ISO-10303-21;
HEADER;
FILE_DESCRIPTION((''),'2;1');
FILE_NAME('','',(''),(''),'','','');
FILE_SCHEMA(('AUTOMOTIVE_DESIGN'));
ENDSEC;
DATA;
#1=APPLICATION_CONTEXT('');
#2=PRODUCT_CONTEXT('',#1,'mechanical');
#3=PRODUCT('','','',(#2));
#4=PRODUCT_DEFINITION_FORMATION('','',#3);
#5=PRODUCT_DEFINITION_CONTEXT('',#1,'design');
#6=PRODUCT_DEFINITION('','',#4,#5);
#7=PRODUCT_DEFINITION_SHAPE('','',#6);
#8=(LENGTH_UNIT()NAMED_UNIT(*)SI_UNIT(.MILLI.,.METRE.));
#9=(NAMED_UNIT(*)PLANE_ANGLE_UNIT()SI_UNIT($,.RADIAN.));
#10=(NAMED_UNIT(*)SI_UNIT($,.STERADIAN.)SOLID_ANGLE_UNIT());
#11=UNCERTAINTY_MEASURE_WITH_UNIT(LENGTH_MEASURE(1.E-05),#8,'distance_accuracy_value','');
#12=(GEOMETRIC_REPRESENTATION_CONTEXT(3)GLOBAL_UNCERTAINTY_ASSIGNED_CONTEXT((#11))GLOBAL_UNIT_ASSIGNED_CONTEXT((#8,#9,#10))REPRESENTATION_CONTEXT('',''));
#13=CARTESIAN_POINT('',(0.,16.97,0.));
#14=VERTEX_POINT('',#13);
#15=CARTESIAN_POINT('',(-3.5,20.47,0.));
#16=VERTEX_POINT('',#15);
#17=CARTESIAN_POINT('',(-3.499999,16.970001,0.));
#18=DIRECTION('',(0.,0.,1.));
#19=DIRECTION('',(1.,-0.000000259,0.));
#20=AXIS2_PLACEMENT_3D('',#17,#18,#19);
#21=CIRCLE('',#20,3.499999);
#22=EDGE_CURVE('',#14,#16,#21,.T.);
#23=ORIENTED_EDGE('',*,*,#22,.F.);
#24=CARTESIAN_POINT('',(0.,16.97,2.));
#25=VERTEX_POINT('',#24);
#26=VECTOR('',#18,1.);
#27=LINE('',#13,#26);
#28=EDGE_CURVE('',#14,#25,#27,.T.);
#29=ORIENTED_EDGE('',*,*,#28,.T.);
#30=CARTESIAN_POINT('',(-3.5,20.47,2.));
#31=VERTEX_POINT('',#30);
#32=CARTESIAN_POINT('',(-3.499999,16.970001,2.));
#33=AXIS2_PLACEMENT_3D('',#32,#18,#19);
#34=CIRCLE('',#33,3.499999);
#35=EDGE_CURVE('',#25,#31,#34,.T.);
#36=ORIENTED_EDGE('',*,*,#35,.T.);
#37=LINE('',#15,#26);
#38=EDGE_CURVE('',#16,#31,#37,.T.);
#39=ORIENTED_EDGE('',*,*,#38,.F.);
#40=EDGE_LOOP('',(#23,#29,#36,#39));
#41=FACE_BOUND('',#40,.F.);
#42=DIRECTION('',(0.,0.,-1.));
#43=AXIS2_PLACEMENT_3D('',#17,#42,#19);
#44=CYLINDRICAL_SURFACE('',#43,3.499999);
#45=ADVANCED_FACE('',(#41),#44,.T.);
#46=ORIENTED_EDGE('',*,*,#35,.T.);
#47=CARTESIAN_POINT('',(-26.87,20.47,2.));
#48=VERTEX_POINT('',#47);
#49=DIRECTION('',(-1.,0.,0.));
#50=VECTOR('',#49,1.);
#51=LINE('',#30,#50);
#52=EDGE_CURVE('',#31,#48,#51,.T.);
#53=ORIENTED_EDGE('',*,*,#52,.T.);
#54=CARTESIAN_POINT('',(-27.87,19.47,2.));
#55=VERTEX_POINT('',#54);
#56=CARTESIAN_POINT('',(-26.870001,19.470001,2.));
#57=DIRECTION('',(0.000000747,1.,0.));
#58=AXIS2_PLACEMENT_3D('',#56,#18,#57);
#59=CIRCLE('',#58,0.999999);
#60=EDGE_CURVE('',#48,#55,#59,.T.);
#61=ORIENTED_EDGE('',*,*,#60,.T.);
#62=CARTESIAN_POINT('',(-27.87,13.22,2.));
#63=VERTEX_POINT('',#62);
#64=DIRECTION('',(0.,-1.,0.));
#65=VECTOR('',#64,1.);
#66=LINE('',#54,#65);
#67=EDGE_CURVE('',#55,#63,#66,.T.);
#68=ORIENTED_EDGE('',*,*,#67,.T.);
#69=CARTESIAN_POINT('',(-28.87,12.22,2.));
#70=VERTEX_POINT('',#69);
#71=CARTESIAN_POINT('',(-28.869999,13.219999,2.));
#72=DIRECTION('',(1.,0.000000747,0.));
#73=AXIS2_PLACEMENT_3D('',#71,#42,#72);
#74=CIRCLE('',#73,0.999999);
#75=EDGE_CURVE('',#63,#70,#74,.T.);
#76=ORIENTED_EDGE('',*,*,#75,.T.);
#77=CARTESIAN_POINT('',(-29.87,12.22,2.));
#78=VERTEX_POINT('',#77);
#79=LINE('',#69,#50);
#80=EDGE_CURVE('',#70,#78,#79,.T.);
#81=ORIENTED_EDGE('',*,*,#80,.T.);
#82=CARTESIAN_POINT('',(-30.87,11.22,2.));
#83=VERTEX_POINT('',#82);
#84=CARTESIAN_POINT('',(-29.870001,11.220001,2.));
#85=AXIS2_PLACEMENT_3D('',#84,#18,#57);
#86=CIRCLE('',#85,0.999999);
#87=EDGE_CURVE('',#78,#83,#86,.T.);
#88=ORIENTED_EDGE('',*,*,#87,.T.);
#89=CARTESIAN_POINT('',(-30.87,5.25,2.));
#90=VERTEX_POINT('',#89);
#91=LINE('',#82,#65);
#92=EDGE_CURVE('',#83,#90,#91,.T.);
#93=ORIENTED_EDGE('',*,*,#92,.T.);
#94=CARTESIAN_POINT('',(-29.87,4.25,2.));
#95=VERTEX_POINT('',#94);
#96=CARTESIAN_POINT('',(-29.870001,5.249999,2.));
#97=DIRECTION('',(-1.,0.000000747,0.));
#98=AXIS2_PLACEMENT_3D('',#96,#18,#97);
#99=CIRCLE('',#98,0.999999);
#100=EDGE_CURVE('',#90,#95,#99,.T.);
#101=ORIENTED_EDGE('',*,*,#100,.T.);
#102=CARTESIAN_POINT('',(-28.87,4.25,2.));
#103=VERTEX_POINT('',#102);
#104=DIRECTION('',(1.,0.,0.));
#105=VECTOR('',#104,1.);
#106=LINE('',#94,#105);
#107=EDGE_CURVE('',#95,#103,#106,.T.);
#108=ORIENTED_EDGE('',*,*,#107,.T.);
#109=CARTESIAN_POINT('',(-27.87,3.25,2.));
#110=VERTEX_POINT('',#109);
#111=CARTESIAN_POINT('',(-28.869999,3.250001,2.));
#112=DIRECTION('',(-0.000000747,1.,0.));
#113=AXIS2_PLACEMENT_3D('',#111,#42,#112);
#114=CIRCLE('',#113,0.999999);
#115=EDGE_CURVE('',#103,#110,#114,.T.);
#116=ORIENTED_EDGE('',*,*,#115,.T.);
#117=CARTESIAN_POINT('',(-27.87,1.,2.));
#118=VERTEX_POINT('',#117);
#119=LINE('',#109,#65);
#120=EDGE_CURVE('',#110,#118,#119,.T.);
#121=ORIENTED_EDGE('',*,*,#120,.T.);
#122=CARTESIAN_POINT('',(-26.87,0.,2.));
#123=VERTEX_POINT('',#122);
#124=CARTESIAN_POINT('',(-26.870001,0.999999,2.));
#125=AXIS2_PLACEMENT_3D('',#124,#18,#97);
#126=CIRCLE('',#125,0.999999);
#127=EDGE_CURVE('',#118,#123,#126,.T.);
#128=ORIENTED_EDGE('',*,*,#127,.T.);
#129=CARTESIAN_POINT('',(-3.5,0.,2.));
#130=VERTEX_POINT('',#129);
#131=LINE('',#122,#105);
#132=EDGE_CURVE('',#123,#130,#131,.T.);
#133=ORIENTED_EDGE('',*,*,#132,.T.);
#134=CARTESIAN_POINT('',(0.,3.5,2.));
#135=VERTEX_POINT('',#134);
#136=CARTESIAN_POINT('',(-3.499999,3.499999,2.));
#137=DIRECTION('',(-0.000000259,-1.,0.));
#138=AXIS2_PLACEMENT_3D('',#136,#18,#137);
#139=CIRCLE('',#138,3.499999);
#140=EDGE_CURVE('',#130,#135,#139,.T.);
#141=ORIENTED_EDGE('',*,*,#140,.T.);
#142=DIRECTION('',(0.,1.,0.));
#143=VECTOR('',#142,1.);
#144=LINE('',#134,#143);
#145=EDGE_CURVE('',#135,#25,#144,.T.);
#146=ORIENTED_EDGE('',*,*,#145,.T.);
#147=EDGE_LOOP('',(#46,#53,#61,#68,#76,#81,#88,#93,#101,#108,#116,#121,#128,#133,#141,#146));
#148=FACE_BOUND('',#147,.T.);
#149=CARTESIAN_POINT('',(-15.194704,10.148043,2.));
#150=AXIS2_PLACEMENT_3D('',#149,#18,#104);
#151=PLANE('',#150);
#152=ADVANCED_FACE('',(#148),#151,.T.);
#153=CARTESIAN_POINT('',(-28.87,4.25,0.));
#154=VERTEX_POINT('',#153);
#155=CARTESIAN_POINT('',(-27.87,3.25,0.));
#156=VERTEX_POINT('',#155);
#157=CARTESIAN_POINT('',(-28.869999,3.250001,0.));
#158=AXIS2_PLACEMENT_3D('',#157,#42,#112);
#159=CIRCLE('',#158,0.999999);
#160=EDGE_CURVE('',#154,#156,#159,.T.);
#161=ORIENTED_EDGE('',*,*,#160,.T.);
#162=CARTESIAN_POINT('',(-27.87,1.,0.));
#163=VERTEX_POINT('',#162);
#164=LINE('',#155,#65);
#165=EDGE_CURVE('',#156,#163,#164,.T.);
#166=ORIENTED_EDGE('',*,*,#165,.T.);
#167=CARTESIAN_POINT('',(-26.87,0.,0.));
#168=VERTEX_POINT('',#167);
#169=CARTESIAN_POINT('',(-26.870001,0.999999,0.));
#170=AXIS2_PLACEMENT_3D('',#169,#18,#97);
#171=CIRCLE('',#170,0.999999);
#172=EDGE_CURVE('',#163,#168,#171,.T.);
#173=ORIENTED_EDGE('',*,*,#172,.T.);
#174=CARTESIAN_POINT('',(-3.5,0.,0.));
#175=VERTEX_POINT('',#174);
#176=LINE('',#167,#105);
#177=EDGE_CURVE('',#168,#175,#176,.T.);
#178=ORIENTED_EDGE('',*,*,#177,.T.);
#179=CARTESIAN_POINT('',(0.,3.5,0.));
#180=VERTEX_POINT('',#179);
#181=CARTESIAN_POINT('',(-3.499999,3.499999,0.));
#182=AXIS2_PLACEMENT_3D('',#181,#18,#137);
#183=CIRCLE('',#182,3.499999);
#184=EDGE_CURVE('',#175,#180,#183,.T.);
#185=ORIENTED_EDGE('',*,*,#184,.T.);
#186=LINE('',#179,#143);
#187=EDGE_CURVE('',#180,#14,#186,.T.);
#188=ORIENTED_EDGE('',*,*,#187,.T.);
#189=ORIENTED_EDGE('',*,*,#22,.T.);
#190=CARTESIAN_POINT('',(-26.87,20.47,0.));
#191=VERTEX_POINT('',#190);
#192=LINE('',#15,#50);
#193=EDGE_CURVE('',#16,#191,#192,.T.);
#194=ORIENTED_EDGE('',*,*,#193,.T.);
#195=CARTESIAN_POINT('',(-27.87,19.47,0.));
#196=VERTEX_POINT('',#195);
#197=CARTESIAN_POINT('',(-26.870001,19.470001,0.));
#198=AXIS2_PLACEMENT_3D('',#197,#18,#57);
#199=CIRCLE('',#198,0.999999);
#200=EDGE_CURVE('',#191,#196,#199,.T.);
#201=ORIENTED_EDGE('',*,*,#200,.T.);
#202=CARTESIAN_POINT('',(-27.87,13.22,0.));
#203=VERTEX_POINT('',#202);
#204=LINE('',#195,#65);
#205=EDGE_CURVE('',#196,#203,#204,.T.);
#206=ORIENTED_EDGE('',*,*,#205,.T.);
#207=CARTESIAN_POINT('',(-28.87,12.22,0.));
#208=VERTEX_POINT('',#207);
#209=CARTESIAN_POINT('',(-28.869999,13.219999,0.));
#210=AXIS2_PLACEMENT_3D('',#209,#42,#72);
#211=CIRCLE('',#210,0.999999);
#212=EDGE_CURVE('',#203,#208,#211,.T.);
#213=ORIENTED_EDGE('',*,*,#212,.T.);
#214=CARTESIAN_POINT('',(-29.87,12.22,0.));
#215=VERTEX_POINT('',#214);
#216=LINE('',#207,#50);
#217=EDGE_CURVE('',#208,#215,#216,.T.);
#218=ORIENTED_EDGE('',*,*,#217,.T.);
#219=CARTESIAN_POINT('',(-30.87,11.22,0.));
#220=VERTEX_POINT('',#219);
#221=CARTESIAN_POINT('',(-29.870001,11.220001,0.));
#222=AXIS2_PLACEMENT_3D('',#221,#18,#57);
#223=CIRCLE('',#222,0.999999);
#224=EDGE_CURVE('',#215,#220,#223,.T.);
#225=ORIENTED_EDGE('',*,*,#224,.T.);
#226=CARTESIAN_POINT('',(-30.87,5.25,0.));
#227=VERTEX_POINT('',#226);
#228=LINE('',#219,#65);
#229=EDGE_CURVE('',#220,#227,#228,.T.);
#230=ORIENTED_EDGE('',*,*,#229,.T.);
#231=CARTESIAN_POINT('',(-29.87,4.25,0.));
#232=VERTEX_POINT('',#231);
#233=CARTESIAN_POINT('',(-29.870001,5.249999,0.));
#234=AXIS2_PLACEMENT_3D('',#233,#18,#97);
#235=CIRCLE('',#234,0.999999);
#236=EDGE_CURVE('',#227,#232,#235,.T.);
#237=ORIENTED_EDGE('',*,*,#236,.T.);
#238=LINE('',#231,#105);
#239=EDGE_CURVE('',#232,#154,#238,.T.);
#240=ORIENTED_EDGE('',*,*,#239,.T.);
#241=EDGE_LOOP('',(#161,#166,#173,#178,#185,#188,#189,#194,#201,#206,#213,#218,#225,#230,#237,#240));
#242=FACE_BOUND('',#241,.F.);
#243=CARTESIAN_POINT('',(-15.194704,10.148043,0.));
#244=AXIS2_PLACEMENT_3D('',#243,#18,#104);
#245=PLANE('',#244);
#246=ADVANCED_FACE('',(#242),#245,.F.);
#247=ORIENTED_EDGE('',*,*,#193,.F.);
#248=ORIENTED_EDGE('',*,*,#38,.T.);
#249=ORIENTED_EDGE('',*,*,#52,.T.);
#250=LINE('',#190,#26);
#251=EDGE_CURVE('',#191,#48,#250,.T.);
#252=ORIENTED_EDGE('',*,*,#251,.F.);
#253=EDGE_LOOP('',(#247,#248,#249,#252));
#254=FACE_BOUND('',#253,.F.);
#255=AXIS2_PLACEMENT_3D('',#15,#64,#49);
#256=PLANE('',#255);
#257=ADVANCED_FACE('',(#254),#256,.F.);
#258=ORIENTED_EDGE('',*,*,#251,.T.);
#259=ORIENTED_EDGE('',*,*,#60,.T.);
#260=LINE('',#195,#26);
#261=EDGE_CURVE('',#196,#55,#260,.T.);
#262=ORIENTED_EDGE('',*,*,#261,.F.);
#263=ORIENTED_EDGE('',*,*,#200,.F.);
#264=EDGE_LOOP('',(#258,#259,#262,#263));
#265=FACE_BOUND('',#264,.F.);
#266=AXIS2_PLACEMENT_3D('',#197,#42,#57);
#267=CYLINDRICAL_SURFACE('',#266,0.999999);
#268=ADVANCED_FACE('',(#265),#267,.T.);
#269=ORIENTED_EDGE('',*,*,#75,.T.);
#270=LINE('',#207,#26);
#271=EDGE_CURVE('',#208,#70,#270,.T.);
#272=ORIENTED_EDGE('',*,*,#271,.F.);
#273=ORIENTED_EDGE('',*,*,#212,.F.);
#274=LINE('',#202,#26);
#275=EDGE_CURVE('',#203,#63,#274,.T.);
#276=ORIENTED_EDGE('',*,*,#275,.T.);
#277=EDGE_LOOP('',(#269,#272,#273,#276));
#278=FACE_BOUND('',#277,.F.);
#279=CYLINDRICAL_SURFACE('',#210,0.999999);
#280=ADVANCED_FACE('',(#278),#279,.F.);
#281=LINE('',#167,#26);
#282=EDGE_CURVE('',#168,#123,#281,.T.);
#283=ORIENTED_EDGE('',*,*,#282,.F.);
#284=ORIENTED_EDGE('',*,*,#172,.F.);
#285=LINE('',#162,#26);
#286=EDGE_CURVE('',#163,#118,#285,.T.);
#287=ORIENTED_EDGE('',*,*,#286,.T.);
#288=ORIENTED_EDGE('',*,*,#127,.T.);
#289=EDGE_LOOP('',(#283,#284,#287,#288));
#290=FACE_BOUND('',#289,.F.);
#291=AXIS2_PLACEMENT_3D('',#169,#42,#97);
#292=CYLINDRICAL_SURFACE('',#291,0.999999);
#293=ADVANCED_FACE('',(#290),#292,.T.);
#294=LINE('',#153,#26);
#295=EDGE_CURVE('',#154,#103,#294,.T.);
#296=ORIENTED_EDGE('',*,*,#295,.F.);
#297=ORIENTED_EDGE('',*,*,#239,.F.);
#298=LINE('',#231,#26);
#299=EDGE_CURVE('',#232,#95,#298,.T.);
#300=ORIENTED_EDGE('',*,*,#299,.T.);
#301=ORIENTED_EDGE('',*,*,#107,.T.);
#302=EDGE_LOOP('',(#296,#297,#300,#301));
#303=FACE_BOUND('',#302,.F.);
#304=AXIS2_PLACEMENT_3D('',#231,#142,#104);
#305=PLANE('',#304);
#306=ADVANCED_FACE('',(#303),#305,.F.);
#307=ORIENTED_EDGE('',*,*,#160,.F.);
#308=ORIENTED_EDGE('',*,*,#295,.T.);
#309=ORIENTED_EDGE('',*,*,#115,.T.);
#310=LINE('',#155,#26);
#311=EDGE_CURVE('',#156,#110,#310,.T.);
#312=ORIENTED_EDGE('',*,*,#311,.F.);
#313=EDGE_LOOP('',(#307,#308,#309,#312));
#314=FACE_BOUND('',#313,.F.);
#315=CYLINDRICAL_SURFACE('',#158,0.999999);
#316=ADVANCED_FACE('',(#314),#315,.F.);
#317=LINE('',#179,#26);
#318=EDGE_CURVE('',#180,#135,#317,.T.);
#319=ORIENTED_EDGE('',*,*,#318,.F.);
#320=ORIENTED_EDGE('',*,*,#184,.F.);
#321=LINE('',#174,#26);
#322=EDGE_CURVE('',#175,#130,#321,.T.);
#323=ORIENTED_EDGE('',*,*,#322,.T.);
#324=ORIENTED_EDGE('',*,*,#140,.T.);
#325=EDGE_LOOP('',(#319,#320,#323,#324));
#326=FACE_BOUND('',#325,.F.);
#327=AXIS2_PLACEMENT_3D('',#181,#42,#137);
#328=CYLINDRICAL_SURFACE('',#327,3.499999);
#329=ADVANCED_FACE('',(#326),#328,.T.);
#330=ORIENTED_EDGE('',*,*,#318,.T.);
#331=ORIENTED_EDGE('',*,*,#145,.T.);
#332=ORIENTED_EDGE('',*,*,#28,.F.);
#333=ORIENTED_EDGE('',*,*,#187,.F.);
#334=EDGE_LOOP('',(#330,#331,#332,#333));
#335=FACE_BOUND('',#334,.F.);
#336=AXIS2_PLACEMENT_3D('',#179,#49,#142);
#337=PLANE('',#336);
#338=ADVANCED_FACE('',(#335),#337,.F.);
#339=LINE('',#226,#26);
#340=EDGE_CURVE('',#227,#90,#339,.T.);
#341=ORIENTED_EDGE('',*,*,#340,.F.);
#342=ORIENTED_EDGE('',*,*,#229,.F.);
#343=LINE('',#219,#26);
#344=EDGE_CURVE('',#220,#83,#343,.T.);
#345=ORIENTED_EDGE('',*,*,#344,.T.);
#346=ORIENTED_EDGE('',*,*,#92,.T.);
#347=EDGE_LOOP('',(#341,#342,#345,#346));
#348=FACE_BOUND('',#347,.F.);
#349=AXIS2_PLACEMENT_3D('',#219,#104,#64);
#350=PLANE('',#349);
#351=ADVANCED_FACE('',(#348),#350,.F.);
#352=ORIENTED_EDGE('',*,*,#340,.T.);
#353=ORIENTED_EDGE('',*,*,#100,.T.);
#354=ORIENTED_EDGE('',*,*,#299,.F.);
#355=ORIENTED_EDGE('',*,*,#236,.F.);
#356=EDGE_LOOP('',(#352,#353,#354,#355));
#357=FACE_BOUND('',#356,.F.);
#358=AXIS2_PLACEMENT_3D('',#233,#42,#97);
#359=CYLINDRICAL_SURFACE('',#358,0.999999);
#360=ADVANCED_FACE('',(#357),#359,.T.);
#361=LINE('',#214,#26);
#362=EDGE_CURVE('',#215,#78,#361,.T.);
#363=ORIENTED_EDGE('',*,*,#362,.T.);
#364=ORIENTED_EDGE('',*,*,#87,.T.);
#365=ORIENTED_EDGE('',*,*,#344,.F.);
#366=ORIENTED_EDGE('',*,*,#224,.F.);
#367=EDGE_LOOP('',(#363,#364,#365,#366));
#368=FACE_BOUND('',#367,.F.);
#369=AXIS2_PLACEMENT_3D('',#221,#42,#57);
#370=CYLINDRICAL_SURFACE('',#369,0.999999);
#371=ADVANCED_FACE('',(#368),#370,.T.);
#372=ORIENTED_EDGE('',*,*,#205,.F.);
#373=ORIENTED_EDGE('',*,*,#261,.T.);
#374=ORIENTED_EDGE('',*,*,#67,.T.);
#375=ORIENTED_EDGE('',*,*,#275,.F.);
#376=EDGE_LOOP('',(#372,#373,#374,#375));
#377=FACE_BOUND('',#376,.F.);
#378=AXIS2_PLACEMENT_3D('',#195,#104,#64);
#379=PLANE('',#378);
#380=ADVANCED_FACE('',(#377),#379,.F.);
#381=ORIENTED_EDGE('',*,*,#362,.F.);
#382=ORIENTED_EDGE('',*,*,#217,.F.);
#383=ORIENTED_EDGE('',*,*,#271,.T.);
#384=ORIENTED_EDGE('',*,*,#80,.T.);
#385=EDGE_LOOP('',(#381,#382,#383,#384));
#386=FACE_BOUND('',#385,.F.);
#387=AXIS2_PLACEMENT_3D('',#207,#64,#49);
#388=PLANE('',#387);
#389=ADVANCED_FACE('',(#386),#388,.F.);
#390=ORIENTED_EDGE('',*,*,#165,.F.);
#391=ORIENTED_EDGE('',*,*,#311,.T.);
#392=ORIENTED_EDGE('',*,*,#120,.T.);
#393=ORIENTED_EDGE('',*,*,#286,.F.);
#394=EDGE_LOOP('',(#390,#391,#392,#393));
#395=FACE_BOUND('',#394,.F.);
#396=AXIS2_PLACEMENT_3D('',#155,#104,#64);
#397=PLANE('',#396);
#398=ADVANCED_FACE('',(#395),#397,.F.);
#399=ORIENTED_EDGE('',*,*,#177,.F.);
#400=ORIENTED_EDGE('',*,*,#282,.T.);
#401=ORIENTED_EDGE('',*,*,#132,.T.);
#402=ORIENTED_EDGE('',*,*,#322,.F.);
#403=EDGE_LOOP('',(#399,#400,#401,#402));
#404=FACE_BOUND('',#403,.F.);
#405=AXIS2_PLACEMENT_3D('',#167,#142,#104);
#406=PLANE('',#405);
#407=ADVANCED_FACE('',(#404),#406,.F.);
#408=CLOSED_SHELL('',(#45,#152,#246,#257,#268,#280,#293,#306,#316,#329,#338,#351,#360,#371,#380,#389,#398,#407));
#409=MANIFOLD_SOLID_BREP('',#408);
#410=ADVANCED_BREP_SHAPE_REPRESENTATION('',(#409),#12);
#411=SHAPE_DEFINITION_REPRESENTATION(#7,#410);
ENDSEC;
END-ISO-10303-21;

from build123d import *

# Parameters (mm, degrees)
F1_DEPTH = 2


with BuildPart() as f1:
    # F0 (on Top) → F1 (new body)
    with BuildSketch(Plane.XY):
        with BuildLine():
            Line((-3.5, 20.47), (-26.87, 20.47))
            ThreePointArc((-26.87, 20.47), (-27.577107, 20.177107), (-27.87, 19.47))
            Line((-27.87, 19.47), (-27.87, 13.22))
            ThreePointArc((-27.87, 13.22), (-28.162893, 12.512893), (-28.87, 12.22))
            Line((-28.87, 12.22), (-29.87, 12.22))
            ThreePointArc((-29.87, 12.22), (-30.577107, 11.927107), (-30.87, 11.22))
            Line((-30.87, 11.22), (-30.87, 5.25))
            ThreePointArc((-30.87, 5.25), (-30.577107, 4.542893), (-29.87, 4.25))
            Line((-29.87, 4.25), (-28.87, 4.25))
            ThreePointArc((-28.87, 4.25), (-28.162893, 3.957107), (-27.87, 3.25))
            Line((-27.87, 3.25), (-27.87, 1))
            ThreePointArc((-27.87, 1), (-27.577107, 0.292893), (-26.87, 0))
            Line((-26.87, 0), (-3.5, 0))
            ThreePointArc((-3.5, 0), (-1.025126, 1.025126), (0, 3.5))
            Line((0, 3.5), (0, 16.97))
            ThreePointArc((0, 16.97), (-1.025126, 19.444874), (-3.5, 20.47))
        make_face()
    extrude(amount=F1_DEPTH)


solid = f1.part
